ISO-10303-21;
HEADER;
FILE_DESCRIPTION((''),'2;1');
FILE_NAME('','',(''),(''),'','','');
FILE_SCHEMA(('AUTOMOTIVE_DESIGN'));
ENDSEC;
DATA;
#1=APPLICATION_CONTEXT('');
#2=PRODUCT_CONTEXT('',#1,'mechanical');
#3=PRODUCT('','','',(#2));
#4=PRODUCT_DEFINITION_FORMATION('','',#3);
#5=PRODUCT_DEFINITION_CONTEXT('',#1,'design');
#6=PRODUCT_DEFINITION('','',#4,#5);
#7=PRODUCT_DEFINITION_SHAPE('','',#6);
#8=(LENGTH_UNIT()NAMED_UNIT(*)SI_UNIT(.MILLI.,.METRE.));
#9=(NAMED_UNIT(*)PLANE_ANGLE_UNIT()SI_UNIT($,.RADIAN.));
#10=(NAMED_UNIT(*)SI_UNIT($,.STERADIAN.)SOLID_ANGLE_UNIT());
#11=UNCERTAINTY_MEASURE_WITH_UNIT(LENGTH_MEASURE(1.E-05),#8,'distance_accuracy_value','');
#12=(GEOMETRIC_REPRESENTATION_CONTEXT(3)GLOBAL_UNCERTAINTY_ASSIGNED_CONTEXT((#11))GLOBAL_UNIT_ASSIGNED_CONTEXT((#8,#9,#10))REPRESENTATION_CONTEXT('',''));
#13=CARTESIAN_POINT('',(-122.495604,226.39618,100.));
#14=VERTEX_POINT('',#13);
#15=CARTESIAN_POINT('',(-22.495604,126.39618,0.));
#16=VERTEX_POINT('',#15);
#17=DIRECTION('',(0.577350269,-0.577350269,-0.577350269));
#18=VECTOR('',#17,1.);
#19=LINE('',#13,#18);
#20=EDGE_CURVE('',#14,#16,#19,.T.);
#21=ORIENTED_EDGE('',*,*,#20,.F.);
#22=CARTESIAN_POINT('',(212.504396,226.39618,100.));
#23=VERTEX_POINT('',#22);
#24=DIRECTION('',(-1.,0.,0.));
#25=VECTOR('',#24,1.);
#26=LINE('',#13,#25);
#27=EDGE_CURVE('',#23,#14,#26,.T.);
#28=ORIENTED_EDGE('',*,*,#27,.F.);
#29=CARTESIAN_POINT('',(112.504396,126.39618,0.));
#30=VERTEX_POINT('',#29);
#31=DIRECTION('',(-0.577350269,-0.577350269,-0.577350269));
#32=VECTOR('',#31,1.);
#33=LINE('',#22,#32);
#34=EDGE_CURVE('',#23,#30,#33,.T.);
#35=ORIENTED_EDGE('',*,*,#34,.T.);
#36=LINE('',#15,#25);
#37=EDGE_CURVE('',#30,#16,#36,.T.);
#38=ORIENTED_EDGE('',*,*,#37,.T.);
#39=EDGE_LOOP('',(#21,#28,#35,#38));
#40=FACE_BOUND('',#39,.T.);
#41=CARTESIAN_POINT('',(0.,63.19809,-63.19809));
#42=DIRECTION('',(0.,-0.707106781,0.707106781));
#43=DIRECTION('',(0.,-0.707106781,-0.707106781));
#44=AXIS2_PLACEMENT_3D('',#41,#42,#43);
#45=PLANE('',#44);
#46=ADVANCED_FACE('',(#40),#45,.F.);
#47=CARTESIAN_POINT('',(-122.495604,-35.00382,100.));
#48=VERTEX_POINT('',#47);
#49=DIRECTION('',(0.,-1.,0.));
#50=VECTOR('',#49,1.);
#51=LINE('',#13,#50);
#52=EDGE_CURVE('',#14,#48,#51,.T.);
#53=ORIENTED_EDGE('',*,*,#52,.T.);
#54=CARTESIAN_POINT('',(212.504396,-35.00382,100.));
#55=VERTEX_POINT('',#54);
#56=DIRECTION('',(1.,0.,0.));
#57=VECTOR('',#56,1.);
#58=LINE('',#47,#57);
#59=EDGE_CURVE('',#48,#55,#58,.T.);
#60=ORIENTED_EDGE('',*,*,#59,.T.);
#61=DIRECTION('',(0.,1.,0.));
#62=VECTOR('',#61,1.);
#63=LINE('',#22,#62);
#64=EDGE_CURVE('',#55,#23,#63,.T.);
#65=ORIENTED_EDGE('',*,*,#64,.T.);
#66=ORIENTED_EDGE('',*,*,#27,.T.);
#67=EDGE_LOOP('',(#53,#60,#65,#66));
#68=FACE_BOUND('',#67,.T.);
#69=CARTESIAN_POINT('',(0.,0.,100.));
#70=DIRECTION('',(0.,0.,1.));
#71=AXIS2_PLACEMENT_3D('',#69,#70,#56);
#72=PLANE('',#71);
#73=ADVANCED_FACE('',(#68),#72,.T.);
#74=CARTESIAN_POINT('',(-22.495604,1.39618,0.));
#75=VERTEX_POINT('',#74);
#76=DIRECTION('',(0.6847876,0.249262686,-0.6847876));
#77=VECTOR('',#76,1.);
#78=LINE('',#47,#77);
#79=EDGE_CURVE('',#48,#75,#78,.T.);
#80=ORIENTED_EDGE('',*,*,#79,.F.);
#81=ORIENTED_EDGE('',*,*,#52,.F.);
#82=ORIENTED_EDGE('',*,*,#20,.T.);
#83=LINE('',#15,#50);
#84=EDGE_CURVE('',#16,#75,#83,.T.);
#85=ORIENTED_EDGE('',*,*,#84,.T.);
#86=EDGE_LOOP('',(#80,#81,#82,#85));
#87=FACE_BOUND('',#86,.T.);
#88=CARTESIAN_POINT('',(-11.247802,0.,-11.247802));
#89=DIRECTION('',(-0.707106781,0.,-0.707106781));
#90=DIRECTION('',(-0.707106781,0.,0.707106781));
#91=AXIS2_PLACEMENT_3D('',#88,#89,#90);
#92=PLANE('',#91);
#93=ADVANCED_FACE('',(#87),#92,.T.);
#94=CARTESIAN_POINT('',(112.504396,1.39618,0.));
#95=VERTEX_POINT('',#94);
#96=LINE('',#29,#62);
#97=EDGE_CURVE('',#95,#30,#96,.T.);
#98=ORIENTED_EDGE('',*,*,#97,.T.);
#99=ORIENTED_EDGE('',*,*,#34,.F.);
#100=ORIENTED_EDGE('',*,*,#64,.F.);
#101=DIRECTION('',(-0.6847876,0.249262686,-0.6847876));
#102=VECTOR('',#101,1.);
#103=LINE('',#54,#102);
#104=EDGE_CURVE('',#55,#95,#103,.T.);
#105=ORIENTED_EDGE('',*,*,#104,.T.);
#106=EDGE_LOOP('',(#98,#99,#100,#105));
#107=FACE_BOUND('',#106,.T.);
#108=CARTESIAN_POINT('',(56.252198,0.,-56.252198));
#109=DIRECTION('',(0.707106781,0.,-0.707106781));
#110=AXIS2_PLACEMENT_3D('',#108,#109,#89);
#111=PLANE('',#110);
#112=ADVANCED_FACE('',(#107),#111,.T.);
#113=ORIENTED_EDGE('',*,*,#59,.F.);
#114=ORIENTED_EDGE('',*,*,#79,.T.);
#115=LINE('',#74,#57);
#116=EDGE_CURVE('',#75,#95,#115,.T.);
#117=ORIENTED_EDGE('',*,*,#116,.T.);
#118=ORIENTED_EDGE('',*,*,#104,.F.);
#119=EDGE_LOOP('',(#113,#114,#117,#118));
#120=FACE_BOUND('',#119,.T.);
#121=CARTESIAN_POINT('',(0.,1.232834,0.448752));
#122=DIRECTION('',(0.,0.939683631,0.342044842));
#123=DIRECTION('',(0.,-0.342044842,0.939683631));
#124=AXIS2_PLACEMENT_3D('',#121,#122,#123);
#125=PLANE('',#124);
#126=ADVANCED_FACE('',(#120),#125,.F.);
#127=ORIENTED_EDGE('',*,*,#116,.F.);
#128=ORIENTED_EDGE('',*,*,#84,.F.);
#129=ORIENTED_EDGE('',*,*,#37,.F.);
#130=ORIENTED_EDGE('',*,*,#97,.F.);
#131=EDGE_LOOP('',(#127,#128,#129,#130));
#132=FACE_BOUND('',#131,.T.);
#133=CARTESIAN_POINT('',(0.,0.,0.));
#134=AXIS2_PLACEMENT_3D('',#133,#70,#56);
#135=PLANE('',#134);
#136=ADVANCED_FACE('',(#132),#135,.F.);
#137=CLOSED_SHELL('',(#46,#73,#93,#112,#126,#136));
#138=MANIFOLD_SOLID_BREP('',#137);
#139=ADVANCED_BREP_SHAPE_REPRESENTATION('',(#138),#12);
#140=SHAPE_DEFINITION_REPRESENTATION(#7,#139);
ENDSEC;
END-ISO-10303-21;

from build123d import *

# Parameters (mm, degrees)
SKETCH_2_W = 335
SKETCH_2_H = 261.4
SKETCH_1_W = 135
SKETCH_1_H = 125


with BuildPart() as part:
    # 草图2 → 放样1 section 0
    with BuildSketch(Plane.XY.offset(100)):
        with Locations((45.004396333, 95.696179637)):
            Rectangle(SKETCH_2_W, SKETCH_2_H)
    # 草图1 → 放样1 section 1
    with BuildSketch(Plane.XY):
        with Locations((45.004396333, 63.896179637)):
            Rectangle(SKETCH_1_W, SKETCH_1_H)
    loft()


solid = part.part
